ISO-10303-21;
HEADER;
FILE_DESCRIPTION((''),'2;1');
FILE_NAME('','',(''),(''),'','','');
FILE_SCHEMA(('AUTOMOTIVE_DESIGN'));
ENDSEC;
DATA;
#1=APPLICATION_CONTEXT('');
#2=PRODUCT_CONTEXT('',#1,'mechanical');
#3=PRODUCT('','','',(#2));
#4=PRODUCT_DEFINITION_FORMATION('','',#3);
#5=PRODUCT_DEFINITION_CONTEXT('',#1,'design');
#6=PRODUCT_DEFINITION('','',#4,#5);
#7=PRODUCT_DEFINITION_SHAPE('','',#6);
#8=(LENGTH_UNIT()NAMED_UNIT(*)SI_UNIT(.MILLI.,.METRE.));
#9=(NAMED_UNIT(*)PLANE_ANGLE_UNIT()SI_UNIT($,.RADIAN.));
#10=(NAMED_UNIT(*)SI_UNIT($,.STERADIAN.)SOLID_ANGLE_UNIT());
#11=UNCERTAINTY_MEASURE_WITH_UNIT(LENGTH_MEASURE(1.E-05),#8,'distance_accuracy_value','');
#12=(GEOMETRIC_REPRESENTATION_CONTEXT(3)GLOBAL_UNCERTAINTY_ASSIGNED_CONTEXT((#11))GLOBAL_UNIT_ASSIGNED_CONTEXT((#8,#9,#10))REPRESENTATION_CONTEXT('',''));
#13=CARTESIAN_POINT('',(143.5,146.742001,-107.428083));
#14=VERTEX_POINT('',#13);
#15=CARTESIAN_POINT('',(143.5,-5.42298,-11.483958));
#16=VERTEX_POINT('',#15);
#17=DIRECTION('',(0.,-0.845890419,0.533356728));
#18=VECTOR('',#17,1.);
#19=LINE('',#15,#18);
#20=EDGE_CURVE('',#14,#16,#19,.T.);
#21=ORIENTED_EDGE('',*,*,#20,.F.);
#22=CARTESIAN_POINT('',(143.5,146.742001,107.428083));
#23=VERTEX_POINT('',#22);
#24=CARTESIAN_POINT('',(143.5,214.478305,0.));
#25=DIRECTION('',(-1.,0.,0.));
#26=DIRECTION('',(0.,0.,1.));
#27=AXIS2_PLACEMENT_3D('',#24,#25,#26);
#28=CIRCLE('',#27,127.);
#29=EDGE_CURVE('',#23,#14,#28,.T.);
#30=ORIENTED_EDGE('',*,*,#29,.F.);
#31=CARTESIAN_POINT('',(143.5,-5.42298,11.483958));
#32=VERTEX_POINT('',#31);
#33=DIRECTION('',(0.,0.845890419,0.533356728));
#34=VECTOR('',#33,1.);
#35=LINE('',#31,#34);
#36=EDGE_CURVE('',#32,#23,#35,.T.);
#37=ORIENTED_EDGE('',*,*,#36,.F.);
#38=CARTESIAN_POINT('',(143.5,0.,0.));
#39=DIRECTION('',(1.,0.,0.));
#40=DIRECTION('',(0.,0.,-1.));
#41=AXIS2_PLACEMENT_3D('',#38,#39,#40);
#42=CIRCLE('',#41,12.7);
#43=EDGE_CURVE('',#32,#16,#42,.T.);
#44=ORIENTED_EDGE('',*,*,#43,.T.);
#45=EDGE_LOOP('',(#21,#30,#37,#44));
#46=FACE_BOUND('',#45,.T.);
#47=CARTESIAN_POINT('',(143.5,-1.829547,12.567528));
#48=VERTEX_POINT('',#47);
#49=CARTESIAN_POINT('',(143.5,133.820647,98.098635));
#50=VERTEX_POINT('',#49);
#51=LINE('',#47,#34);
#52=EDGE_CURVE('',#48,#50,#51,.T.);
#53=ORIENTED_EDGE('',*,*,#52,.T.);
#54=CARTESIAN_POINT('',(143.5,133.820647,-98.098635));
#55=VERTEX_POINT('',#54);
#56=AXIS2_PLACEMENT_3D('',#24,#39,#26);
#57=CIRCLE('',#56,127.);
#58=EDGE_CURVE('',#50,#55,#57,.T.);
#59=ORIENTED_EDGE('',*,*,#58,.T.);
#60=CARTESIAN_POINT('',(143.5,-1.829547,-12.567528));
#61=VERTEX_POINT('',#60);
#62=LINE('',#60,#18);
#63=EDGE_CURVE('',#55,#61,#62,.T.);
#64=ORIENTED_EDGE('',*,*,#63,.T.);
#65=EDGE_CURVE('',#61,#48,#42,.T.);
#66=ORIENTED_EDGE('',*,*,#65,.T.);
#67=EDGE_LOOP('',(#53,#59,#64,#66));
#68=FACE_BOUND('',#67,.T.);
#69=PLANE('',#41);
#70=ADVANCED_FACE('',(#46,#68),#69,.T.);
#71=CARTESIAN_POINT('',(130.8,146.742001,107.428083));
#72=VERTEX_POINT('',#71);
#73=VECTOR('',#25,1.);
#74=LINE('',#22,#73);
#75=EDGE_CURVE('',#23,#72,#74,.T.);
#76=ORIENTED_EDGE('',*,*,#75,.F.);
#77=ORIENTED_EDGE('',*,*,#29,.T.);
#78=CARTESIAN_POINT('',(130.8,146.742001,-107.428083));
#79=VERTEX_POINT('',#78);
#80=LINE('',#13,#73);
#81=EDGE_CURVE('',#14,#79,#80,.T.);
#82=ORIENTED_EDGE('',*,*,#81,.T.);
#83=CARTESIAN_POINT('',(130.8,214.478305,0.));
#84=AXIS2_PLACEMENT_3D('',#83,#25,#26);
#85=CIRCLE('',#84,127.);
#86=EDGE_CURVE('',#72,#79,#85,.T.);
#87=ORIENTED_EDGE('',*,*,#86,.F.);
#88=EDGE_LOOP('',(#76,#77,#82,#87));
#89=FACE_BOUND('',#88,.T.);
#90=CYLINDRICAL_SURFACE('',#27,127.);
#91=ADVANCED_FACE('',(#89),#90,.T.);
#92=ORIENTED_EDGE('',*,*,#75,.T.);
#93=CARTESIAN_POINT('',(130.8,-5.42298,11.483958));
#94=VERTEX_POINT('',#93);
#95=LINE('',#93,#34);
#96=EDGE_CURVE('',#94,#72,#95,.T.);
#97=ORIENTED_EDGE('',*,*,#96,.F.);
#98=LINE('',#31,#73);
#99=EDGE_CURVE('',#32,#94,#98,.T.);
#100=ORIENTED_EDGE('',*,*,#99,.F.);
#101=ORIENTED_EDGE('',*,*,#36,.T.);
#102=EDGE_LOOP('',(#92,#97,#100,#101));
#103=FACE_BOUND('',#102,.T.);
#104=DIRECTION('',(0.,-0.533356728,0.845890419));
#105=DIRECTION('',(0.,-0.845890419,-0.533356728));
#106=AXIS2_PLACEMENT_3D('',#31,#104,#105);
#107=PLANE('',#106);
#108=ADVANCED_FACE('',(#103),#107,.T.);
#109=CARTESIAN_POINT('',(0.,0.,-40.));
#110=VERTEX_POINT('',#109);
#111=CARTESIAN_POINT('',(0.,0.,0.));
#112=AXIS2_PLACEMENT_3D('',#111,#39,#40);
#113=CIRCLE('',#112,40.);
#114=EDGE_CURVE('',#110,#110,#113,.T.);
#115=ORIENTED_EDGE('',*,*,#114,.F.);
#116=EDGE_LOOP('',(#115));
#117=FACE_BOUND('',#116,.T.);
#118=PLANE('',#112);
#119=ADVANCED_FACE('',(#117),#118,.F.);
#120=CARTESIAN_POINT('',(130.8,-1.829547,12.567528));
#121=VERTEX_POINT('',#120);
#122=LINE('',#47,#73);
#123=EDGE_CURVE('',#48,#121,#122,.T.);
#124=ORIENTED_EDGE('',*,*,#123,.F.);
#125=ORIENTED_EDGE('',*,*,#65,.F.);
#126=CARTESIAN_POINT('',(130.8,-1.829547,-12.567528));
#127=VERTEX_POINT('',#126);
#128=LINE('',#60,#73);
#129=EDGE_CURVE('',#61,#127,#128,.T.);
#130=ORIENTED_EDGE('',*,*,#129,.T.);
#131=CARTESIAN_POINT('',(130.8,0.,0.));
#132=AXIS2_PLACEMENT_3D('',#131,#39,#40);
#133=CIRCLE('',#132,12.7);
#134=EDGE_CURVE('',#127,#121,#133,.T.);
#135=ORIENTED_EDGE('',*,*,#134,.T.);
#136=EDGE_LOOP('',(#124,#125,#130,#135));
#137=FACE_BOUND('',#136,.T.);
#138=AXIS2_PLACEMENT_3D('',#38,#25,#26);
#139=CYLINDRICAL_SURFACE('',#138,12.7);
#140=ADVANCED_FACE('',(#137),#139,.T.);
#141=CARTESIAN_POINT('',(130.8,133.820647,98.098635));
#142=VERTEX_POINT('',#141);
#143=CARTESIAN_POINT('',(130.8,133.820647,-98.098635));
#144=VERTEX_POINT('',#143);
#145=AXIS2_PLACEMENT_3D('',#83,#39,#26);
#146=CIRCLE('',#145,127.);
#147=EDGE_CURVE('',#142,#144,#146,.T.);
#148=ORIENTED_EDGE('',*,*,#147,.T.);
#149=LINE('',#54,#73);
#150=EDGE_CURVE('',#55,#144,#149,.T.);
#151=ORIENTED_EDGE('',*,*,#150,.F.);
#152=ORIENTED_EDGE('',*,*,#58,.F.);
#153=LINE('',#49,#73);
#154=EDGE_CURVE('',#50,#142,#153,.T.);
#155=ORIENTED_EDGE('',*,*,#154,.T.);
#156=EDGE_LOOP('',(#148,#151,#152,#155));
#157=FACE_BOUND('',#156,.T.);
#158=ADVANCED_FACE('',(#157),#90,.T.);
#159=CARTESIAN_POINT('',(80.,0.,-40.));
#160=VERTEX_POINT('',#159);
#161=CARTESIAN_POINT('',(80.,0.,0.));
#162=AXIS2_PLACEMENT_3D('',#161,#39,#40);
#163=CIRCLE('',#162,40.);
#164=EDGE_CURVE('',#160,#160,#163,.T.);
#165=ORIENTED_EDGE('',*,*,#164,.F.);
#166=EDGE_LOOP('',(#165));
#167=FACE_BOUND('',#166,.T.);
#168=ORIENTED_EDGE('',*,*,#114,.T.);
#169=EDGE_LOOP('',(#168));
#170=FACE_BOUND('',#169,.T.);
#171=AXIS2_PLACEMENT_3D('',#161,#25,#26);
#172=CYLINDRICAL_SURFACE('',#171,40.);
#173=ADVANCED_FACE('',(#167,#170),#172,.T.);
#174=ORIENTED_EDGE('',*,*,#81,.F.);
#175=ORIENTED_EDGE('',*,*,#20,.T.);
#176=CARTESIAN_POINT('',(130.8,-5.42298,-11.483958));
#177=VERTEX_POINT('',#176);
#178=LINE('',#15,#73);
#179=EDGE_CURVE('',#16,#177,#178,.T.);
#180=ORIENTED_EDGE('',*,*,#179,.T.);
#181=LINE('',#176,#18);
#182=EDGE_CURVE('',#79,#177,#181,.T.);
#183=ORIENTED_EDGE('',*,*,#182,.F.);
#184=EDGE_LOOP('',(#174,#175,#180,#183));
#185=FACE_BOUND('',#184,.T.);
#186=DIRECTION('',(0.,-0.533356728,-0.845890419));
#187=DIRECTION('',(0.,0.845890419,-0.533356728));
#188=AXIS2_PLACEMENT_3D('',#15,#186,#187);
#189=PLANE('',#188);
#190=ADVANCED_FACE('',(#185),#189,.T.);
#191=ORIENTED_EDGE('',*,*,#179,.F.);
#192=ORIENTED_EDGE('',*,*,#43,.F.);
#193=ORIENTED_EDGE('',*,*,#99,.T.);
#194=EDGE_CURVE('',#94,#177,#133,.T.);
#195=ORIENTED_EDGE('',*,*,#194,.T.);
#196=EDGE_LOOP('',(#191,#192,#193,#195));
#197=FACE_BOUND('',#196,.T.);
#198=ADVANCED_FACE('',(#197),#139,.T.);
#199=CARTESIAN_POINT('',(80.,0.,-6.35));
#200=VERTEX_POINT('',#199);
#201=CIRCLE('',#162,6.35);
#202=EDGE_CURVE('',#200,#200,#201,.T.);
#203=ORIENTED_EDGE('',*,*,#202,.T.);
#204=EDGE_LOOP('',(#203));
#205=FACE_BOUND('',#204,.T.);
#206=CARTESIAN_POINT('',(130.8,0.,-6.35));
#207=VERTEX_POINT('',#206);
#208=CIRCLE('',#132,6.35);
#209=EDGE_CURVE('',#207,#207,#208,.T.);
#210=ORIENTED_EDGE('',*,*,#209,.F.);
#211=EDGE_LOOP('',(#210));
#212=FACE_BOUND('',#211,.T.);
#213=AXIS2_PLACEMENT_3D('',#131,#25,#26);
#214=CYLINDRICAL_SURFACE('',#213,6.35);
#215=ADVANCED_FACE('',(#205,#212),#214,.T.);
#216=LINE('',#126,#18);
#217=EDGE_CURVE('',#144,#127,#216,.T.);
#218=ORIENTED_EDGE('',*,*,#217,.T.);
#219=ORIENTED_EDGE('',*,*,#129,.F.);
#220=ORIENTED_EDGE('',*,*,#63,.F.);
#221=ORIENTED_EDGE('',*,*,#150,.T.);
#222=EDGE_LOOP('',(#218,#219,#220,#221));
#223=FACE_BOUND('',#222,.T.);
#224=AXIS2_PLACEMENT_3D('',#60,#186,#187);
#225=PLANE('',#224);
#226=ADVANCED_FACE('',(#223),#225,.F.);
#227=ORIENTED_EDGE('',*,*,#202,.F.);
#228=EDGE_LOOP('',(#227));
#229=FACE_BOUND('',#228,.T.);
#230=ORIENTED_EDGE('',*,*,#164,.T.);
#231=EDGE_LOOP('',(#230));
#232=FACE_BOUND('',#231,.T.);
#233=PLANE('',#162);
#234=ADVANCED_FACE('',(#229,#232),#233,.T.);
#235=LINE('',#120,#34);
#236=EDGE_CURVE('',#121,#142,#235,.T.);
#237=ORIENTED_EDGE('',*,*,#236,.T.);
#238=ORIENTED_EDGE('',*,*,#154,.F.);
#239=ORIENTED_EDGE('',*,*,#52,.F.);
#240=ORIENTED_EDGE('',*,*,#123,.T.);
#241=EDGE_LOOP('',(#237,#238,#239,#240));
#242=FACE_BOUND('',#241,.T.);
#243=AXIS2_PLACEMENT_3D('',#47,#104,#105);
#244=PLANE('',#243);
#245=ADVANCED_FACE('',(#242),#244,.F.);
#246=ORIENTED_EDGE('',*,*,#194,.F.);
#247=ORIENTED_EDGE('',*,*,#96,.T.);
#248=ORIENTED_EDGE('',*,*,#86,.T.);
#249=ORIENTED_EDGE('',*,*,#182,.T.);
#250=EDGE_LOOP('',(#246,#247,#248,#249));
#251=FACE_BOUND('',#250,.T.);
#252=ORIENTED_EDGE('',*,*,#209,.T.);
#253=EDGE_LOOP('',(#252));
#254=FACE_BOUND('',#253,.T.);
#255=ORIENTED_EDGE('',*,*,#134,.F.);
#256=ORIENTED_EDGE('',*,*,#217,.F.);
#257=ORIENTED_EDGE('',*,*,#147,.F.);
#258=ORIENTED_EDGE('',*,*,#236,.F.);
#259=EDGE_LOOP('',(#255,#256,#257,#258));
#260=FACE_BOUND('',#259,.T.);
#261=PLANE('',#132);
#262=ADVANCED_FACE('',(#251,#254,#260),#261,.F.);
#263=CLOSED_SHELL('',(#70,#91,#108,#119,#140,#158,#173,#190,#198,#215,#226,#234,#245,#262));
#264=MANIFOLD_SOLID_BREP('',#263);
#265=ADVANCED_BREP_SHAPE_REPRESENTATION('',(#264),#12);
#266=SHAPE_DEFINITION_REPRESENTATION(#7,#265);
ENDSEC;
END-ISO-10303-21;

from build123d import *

# Parameters (mm, degrees)
CROQUIS1_R              = 40
SALIENTE_EXTRUIR1_DEPTH = 80
CROQUIS2_R              = 6.35
SALIENTE_EXTRUIR2_DEPTH = 50.8
CROQUIS3_R              = 12.7
SALIENTE_EXTRUIR3_DEPTH = 12.7
SALIENTE_EXTRUIR4_DEPTH = 12.7


with BuildPart() as part:
    # Croquis1 → Saliente-Extruir1 (new body)
    with BuildSketch(Plane(origin=(0, 0, 0), x_dir=(0, 0, -1), z_dir=(1, 0, 0))):
        Circle(CROQUIS1_R)
    extrude(amount=SALIENTE_EXTRUIR1_DEPTH)

    # Croquis2 → Saliente-Extruir2 (add)
    with BuildSketch(Plane(origin=(80, 0, 0), x_dir=(0, 0, -1), z_dir=(1, 0, 0))):
        Circle(CROQUIS2_R)
    extrude(amount=SALIENTE_EXTRUIR2_DEPTH)

    # Croquis3 → Saliente-Extruir3 (add)
    with BuildSketch(Plane(origin=(130.8, 0, 0), x_dir=(0, 0, -1), z_dir=(1, 0, 0))):
        Circle(CROQUIS3_R)
    extrude(amount=SALIENTE_EXTRUIR3_DEPTH)

    # Croquis4 → Saliente-Extruir4 (add)
    with BuildSketch(Plane.ZY.offset(-130.8)):
        with BuildLine():
            Line((11.483957814, -5.422980079), (107.428083159, 146.742000736))
            ThreePointArc((107.428083159, 146.742000736), (0, 341.478305247), (-107.428083159, 146.742000736))
            Line((-107.428083159, 146.742000736), (-11.483957814, -5.422980079))
            ThreePointArc((-11.483957814, -5.422980079), (0, -12.7), (11.483957814, -5.422980079))
        make_face()
        with BuildLine():
            Line((12.567527858, -1.829547361), (98.098634635, 133.820646696))
            ThreePointArc((98.098634635, 133.820646696), (0, 87.478305247), (-98.098634635, 133.820646696))
            Line((-98.098634635, 133.820646696), (-12.567527858, -1.829547361))
            ThreePointArc((-12.567527858, -1.829547361), (0, 12.7), (12.567527858, -1.829547361))
        make_face(mode=Mode.SUBTRACT)
    extrude(amount=-SALIENTE_EXTRUIR4_DEPTH)


solid = part.part
